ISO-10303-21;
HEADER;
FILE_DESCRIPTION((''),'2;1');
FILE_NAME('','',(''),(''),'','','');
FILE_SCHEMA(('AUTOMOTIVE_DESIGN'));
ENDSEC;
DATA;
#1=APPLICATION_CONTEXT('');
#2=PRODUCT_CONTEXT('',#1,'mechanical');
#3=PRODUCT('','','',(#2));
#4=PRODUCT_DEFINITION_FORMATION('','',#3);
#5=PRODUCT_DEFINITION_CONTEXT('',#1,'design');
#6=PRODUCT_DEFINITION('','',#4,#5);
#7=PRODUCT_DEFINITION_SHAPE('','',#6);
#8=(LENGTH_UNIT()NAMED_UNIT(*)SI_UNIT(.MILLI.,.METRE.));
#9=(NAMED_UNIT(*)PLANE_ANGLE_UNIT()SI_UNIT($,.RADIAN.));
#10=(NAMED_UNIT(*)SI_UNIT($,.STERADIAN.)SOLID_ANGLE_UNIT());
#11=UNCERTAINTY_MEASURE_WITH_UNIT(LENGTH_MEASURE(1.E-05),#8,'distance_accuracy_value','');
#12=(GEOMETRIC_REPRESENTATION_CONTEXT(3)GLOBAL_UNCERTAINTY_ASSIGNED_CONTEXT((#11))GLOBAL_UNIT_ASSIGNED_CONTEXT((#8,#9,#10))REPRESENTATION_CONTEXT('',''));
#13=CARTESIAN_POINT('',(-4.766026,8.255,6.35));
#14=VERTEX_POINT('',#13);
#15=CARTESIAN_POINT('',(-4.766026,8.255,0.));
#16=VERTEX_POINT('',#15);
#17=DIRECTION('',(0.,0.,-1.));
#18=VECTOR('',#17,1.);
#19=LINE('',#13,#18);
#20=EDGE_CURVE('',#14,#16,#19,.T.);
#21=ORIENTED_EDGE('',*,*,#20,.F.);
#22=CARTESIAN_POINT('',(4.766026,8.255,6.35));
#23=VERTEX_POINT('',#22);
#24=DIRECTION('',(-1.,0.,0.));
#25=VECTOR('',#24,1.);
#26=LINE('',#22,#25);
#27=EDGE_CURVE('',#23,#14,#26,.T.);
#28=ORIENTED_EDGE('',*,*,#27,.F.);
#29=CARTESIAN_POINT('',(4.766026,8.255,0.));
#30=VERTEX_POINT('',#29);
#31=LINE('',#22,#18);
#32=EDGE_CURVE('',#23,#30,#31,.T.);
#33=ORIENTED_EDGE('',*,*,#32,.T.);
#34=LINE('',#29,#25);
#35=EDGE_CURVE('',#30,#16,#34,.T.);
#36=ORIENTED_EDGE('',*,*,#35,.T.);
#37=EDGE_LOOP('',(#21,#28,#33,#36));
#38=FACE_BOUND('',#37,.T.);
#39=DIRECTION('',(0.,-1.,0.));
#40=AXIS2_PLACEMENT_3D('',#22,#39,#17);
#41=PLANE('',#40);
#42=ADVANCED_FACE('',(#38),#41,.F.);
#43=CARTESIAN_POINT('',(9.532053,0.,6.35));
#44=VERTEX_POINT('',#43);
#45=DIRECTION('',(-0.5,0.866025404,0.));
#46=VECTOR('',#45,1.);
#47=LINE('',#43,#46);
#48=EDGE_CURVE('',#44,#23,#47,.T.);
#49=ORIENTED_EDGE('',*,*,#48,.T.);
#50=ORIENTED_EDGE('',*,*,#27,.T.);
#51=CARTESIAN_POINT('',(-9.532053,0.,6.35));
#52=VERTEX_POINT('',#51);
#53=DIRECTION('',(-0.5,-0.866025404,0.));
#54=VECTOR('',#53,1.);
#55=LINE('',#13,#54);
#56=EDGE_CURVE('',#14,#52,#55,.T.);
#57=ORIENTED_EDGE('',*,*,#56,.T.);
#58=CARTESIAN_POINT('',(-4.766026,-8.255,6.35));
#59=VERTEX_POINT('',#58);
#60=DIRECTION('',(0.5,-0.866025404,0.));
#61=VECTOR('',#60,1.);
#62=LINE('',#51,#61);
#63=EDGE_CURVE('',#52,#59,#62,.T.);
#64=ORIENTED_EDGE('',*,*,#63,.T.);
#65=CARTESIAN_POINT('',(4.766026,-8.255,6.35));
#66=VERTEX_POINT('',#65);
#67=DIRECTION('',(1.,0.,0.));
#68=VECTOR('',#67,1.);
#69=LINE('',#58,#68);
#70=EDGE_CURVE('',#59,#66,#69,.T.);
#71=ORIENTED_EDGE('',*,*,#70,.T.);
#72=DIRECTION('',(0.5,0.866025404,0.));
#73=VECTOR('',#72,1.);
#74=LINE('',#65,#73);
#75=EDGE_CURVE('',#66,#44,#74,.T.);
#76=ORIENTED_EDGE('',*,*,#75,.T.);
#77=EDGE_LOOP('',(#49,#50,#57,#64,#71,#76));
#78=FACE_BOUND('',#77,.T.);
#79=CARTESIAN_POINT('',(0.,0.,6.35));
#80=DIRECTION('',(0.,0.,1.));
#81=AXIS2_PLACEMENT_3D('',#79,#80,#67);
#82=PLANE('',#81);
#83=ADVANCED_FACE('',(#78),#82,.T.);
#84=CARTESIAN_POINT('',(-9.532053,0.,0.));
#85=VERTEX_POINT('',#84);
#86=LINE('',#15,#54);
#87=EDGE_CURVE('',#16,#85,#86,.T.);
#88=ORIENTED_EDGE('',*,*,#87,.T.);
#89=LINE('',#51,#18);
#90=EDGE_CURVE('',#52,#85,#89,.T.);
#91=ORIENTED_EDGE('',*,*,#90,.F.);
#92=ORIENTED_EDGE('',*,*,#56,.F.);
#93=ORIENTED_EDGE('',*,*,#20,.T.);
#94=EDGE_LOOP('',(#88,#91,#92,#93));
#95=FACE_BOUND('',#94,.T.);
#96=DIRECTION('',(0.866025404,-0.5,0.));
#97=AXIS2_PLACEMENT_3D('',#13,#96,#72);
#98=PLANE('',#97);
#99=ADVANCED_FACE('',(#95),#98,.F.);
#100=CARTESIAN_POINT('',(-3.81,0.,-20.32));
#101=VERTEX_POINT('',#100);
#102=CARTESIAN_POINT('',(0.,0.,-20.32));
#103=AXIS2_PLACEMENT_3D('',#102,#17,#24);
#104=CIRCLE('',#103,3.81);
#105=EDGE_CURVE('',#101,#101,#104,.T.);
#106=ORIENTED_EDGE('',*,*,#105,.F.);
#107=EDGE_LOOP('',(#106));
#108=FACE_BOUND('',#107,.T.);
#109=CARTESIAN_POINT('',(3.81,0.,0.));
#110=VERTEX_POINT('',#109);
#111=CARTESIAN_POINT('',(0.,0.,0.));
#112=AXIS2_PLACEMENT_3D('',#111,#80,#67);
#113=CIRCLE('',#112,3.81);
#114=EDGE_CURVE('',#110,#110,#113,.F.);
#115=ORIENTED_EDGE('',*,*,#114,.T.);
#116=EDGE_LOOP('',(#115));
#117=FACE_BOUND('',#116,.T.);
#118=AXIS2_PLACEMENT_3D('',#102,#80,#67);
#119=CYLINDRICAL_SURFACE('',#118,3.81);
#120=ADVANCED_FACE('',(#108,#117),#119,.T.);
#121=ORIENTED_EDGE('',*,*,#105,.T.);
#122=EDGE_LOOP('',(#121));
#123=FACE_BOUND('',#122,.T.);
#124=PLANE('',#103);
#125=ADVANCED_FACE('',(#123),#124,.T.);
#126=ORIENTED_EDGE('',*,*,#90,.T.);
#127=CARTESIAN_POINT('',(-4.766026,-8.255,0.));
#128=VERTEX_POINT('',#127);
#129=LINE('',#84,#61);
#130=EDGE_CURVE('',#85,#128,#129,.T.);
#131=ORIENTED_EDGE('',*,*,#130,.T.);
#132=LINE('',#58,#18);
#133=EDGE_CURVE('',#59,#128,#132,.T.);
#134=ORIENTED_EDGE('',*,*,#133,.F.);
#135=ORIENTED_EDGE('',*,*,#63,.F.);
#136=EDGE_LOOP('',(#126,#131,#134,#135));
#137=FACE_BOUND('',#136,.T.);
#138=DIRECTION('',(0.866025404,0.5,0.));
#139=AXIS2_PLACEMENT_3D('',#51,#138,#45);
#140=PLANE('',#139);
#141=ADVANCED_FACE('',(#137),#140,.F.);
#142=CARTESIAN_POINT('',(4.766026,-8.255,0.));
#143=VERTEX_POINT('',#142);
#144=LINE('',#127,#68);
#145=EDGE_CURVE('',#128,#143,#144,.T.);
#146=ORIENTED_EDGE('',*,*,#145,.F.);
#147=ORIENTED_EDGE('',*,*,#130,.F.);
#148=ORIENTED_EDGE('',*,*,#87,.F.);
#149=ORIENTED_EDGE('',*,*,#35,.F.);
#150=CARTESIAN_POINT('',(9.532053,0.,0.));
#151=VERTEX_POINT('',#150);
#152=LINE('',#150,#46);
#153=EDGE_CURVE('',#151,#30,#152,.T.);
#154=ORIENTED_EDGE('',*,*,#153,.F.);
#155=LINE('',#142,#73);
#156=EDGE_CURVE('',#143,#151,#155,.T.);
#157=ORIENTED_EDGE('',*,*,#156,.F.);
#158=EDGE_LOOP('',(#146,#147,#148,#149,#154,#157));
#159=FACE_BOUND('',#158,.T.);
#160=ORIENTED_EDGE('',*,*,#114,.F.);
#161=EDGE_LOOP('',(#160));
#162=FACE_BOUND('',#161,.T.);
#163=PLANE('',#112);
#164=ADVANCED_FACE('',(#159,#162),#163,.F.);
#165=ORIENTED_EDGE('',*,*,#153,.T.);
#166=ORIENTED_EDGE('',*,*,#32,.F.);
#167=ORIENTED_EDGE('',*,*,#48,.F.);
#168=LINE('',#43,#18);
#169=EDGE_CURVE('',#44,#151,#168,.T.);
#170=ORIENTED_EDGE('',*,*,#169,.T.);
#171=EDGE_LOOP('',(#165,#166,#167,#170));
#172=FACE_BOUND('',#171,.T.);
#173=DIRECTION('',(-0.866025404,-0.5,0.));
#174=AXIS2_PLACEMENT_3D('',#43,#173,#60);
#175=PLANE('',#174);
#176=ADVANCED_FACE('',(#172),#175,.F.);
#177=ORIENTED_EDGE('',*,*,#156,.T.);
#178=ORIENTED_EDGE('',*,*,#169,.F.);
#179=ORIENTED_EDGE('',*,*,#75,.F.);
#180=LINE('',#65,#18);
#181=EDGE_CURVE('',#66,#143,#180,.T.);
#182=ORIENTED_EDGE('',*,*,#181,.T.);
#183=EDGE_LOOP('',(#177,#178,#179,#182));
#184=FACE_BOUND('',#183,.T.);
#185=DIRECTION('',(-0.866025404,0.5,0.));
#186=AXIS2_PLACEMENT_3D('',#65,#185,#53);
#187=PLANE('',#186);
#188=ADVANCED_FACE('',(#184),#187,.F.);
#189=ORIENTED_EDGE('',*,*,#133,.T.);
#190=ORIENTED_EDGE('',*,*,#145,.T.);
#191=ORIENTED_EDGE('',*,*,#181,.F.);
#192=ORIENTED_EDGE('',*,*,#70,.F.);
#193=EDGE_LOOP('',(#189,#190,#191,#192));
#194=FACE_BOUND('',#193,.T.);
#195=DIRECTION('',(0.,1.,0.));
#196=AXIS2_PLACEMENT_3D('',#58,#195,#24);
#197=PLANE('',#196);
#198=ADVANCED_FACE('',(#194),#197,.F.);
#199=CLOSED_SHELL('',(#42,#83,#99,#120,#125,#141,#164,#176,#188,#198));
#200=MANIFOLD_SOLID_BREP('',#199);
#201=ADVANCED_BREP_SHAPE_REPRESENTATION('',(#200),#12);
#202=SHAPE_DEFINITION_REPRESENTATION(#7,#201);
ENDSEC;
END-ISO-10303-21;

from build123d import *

# Parameters (mm, degrees)
BOSS_EXTRUDE1_DEPTH = 6.35
SKETCH2_R           = 3.81
BOSS_EXTRUDE2_DEPTH = 20.32


with BuildPart() as part:
    # Sketch1 → Boss-Extrude1 (new body)
    with BuildSketch(Plane.XY):
        Polygon((4.766026472, -8.255), (9.532052944, 0), (4.766026472, 8.255), (-4.766026472, 8.255), (-9.532052944, 0), (-4.766026472, -8.255), align=None)
    extrude(amount=BOSS_EXTRUDE1_DEPTH)

    # Sketch2 → Boss-Extrude2 (add)
    with BuildSketch(Plane(origin=(0, 0, 0), x_dir=(-1, 0, 0), z_dir=(0, 0, -1))):
        with Locations(Location((0, 0, 0), (0, 0, 180))):
            Circle(SKETCH2_R)
    extrude(amount=BOSS_EXTRUDE2_DEPTH)


solid = part.part
